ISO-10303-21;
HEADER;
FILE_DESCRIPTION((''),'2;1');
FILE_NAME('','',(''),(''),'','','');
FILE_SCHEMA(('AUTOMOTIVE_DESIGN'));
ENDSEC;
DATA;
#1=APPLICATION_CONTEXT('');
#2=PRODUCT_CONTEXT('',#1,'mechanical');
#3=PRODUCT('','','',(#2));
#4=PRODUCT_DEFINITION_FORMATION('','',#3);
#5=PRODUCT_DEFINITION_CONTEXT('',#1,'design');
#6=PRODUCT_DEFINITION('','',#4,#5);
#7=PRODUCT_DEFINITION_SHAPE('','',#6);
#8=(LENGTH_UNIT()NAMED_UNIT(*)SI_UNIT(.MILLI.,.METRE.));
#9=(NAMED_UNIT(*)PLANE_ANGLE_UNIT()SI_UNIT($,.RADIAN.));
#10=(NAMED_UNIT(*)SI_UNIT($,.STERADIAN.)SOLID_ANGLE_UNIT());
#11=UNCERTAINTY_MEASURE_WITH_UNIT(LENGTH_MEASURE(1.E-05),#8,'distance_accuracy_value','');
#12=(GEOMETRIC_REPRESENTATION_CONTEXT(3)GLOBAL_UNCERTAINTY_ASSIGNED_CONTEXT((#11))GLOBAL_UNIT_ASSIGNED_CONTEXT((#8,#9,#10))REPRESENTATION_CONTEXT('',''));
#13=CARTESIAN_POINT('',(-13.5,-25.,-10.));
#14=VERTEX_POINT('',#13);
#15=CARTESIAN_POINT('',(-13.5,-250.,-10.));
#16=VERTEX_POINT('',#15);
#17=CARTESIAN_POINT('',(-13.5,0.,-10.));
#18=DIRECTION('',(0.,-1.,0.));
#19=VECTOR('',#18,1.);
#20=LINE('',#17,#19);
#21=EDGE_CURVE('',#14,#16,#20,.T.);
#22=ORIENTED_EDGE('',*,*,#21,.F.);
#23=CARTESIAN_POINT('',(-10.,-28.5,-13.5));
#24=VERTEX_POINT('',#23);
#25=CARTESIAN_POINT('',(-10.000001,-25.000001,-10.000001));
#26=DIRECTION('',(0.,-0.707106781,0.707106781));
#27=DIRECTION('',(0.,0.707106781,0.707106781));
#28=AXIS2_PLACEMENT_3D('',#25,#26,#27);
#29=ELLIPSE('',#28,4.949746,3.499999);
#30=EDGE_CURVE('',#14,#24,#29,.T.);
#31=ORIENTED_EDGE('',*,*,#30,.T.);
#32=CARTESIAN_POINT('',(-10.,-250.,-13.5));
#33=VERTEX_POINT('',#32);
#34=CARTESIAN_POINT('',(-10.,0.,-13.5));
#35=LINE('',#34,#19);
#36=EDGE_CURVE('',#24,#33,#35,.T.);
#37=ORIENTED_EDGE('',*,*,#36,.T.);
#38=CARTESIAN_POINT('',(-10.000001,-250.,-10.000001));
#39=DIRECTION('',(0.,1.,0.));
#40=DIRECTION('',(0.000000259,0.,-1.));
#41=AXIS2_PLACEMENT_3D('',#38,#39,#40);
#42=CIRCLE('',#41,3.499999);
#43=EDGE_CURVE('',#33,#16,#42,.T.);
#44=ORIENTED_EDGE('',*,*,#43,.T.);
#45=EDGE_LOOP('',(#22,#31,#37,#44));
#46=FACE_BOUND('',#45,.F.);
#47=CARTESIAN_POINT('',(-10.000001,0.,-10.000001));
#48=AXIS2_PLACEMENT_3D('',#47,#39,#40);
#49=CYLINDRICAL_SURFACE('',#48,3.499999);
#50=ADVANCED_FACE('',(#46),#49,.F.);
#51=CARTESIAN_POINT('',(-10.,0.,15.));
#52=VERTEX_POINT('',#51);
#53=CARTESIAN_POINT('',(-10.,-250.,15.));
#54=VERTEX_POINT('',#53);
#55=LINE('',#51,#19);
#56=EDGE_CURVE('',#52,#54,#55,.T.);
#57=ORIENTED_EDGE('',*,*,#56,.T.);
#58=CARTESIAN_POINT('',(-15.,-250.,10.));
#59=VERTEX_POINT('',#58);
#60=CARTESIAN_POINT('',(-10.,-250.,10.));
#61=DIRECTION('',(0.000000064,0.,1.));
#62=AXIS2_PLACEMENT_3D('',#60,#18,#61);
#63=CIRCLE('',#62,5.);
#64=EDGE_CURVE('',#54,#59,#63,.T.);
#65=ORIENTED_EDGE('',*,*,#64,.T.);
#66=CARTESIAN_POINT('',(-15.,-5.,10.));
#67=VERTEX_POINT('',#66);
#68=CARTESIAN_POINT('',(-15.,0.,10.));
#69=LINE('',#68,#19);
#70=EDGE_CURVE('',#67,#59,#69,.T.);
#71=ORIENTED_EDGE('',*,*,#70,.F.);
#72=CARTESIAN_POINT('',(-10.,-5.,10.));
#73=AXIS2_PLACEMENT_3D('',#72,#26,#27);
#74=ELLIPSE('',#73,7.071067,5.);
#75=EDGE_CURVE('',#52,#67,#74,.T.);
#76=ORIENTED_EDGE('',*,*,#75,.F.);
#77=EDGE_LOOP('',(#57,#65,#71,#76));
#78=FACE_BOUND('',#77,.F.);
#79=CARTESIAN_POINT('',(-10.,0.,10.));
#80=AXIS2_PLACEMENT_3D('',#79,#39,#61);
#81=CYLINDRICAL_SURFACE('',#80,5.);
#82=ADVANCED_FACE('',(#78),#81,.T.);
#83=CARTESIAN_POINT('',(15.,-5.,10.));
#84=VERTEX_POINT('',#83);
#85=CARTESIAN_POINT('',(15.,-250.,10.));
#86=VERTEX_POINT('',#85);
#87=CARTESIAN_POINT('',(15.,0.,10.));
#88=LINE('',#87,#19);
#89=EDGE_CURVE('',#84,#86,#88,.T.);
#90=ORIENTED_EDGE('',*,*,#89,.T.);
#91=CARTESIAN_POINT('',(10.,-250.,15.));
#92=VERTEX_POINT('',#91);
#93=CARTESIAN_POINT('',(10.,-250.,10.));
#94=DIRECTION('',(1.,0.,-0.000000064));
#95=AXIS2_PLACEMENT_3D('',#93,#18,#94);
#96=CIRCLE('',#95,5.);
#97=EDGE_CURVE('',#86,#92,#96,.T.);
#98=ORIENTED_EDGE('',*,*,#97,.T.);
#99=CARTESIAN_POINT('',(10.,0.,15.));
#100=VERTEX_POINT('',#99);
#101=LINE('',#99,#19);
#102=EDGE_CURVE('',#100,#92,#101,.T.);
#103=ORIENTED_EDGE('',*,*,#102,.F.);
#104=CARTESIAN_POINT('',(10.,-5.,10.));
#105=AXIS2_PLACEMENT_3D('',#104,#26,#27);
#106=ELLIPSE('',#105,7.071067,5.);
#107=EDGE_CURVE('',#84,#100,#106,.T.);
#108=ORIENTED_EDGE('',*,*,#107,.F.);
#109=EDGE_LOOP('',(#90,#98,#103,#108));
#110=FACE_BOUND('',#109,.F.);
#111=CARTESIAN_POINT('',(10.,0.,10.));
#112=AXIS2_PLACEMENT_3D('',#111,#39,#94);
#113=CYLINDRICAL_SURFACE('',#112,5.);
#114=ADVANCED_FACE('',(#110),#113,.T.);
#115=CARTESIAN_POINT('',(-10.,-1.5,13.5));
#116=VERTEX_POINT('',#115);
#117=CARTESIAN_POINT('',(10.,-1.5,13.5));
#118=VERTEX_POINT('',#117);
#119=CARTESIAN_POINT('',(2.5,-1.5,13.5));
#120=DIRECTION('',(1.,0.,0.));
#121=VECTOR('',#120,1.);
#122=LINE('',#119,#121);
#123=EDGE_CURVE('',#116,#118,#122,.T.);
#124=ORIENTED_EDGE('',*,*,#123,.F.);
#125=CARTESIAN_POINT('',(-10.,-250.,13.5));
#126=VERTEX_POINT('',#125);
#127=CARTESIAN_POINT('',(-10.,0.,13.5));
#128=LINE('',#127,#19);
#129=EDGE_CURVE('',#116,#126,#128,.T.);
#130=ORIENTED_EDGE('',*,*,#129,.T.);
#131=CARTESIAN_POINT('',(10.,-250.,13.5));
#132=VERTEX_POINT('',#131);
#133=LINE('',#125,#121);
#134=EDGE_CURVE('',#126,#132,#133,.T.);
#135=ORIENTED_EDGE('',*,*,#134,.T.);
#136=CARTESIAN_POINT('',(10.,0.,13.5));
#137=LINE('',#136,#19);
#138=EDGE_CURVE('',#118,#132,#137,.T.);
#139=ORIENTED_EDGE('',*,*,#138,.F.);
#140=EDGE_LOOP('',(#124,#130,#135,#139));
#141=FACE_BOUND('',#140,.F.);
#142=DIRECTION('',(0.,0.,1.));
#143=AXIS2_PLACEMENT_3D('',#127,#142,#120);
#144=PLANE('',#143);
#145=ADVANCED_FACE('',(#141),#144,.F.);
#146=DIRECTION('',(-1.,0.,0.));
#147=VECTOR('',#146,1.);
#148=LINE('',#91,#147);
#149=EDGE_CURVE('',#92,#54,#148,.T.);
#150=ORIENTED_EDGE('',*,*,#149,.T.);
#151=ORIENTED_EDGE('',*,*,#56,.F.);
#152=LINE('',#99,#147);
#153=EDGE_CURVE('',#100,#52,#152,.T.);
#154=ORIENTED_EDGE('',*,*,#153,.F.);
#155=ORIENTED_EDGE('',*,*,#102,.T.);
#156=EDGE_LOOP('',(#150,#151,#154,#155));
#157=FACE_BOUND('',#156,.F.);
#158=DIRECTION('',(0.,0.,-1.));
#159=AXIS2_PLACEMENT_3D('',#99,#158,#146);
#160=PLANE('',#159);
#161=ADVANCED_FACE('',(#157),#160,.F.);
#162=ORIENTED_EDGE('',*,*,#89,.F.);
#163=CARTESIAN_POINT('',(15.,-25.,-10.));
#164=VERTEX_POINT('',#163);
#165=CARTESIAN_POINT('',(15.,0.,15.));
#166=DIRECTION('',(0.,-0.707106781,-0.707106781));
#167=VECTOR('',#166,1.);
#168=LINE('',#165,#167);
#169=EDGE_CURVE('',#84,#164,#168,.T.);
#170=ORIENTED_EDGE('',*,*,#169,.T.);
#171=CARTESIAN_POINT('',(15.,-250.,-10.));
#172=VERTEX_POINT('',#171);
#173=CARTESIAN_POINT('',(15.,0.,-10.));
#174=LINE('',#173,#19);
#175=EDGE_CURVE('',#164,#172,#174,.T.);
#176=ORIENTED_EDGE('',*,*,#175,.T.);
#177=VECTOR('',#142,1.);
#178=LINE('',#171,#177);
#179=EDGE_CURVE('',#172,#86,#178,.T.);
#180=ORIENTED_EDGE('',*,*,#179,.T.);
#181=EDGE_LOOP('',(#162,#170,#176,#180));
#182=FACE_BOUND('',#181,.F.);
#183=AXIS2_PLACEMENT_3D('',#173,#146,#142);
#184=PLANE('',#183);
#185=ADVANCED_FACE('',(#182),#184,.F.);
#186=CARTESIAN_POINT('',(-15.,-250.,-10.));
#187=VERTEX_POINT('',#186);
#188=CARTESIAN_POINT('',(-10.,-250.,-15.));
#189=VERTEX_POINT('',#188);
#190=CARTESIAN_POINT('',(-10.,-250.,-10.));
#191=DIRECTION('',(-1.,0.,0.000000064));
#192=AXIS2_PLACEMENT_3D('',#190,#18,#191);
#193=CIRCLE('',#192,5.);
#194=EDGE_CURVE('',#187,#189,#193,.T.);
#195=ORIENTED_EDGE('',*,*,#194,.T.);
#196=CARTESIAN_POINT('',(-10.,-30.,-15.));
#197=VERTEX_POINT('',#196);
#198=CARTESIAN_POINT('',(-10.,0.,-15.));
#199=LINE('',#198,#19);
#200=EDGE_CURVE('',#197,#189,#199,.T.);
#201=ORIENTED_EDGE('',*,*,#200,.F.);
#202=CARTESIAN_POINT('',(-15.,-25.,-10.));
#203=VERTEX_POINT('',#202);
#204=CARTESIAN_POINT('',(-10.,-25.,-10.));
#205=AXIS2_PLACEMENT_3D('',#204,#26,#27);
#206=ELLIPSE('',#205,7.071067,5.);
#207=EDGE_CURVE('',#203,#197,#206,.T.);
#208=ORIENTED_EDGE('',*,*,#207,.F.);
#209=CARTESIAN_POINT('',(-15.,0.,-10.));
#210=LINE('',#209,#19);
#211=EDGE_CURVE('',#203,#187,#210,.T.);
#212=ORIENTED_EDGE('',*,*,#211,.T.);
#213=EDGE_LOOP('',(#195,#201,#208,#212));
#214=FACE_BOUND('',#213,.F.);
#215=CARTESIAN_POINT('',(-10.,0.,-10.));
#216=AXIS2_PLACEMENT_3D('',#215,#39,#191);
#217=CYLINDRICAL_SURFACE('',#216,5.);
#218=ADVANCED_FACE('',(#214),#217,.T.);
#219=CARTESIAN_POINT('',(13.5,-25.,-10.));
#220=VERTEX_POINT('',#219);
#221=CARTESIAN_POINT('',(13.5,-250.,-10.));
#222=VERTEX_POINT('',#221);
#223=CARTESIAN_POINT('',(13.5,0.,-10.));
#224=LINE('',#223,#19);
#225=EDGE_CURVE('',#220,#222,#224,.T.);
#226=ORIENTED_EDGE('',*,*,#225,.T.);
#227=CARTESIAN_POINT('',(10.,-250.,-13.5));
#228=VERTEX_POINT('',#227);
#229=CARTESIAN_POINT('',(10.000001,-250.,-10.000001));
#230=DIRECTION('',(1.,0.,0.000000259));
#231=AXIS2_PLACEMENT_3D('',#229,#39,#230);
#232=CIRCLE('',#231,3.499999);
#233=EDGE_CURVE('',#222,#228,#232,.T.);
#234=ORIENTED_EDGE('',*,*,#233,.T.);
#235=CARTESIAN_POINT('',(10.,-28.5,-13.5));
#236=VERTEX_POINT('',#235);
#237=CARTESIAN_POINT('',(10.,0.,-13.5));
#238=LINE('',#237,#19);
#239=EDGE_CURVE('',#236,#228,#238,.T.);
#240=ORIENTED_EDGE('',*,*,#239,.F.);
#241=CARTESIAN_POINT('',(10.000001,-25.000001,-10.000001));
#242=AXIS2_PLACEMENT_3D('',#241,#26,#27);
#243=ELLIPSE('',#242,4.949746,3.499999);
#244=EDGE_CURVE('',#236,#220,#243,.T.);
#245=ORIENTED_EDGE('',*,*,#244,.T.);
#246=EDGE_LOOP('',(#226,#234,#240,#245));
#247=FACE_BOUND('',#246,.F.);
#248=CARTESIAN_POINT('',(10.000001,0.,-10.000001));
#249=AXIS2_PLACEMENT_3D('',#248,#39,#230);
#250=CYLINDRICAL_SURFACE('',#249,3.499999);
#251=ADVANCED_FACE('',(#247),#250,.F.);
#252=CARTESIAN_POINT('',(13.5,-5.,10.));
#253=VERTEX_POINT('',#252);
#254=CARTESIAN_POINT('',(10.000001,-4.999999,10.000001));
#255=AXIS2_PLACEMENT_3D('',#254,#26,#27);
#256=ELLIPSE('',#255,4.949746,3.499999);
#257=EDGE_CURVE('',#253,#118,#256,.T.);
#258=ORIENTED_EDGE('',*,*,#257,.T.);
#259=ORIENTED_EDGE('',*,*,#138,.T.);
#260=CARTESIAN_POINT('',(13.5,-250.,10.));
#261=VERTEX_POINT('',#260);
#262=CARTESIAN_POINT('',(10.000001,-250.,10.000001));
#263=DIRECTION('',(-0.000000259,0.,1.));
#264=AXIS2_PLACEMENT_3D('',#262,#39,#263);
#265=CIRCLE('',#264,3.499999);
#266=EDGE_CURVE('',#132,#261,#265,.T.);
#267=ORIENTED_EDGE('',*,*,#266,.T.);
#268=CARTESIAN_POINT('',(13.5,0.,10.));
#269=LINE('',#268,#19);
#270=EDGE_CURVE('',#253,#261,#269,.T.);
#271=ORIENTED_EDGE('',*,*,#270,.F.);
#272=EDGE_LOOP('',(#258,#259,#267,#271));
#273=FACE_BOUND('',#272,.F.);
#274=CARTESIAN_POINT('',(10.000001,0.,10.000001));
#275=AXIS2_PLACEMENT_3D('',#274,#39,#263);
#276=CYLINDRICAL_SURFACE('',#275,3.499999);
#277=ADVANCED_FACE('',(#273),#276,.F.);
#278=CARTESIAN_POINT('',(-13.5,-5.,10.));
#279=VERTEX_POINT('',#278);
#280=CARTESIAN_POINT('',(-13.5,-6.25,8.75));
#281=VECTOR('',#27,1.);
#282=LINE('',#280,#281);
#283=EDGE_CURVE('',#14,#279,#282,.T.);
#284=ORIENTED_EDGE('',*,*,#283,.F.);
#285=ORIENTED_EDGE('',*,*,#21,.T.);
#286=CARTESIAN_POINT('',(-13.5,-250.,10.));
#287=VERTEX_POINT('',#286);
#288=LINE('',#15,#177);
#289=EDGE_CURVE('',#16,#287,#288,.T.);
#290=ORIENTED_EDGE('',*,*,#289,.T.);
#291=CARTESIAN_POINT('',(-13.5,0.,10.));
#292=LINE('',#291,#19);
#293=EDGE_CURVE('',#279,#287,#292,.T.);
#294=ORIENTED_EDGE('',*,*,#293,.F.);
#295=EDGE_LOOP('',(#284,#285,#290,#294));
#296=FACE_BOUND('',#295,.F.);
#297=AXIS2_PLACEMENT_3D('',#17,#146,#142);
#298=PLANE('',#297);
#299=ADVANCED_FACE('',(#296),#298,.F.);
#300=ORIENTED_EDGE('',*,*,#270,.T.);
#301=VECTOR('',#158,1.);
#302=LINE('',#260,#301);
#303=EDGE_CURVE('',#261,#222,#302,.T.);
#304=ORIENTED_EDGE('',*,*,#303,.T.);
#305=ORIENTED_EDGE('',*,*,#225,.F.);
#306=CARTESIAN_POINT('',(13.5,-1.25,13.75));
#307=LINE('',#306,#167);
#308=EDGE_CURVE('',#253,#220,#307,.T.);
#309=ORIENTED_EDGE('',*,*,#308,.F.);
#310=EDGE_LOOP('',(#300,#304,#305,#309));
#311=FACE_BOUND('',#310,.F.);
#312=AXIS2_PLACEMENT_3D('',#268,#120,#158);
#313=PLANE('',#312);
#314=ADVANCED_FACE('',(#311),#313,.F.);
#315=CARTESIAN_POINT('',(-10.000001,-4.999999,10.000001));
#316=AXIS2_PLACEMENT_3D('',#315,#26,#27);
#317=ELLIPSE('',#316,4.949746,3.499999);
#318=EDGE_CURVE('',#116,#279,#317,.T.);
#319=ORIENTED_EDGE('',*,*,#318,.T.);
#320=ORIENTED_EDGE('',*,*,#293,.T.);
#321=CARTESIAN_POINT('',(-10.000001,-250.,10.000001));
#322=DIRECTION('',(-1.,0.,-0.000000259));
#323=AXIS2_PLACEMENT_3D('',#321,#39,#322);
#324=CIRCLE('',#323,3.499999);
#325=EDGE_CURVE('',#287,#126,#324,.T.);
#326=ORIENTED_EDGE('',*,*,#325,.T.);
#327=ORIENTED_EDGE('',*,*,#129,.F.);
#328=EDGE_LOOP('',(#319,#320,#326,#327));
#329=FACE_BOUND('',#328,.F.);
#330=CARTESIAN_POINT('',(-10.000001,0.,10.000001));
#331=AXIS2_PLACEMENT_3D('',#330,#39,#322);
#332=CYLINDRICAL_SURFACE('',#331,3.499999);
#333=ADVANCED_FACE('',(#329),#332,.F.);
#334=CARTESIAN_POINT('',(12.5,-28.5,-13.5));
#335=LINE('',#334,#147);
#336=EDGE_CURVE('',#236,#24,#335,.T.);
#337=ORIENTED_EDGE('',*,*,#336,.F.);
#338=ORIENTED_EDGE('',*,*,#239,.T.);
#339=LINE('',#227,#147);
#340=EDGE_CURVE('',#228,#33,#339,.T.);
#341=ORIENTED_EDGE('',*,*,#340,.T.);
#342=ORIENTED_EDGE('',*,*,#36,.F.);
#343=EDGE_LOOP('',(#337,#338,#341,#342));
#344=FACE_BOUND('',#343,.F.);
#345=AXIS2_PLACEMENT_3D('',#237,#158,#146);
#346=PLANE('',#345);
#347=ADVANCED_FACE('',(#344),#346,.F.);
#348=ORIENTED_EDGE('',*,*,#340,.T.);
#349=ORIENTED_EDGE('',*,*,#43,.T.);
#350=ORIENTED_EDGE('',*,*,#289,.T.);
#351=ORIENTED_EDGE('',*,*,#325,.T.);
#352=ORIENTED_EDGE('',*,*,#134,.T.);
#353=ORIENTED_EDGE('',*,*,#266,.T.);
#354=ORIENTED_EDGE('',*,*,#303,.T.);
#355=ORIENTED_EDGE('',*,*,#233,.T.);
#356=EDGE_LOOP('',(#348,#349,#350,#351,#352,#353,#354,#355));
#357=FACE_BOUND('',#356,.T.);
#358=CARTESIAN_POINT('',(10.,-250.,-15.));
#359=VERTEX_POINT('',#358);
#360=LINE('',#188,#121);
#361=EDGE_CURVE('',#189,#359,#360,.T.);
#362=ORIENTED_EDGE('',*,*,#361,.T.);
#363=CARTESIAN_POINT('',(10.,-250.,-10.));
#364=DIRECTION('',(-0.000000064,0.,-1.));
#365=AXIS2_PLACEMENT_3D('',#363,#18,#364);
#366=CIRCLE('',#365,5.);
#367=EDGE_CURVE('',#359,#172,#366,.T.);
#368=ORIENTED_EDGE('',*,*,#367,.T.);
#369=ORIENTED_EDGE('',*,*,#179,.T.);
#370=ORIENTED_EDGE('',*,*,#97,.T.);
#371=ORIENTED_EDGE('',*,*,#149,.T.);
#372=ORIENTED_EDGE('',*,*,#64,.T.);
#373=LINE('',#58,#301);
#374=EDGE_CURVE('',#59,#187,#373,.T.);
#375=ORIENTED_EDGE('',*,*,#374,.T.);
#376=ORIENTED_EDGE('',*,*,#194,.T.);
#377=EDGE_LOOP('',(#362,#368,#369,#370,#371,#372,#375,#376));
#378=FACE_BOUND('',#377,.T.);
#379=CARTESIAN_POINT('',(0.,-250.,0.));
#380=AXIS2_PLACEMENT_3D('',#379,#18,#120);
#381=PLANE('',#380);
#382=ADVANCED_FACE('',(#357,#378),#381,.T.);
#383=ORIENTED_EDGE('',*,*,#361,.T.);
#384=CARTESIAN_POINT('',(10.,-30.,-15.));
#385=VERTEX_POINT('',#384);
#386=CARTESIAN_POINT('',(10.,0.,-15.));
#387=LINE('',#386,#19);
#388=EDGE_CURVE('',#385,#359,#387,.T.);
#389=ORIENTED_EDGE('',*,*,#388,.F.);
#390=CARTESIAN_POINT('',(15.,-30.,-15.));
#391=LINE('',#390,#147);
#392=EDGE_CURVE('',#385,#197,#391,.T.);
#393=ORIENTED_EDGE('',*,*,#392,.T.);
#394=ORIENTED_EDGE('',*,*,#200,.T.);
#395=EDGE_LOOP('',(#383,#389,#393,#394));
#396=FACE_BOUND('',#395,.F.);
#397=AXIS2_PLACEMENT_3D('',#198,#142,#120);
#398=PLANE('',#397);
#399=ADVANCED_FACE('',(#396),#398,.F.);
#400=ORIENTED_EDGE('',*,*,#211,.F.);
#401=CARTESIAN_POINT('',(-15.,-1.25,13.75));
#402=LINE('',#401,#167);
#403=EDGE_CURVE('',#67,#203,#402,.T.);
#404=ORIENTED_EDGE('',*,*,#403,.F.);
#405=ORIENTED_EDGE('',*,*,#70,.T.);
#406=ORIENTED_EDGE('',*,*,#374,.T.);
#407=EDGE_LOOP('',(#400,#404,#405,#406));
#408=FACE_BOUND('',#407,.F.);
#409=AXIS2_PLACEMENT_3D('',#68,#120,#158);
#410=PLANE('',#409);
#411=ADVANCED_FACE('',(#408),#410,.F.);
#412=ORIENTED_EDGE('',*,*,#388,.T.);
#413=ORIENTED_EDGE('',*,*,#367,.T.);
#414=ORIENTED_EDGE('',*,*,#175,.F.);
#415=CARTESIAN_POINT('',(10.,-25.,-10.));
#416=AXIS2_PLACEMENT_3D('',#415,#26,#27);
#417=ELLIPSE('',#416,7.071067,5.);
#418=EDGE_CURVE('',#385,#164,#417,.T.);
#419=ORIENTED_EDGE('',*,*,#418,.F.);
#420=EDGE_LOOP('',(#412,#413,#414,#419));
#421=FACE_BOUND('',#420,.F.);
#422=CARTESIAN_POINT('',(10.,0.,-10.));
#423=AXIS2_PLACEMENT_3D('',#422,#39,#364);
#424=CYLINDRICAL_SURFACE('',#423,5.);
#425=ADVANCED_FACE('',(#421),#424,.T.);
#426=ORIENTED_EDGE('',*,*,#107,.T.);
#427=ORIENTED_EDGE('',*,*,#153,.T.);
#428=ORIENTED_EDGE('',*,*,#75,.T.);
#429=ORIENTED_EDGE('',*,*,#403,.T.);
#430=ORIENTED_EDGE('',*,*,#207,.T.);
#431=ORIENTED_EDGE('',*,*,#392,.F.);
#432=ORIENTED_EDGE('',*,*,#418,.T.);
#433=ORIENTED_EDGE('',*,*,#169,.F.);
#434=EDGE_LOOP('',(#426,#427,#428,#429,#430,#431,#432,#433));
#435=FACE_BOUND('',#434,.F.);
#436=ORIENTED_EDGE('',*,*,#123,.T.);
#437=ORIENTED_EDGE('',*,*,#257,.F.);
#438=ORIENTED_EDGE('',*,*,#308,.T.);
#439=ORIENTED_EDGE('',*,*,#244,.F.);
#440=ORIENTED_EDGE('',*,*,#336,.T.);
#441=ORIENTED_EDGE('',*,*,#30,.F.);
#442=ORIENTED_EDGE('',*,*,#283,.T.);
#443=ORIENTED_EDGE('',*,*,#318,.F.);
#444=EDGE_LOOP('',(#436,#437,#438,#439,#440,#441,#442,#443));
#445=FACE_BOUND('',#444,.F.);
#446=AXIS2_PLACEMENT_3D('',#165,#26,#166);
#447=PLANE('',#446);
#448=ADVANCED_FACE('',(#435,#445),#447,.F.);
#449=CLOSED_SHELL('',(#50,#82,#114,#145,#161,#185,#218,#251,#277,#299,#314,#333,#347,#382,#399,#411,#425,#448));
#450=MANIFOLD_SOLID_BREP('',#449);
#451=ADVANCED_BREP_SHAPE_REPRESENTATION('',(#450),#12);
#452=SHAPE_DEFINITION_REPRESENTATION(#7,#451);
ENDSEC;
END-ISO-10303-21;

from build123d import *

# Parameters (mm, degrees)
F1_DEPTH = 250
F3_DEPTH = 30.001


with BuildPart() as f1:
    # F0 (on Front) → F1 (new body)
    with BuildSketch(Plane.XZ):
        with BuildLine():
            Line((-10, -15), (10, -15))
            ThreePointArc((10, -15), (13.535534, -13.535534), (15, -10))
            Line((15, -10), (15, 10))
            ThreePointArc((15, 10), (13.535534, 13.535534), (10, 15))
            Line((10, 15), (-10, 15))
            ThreePointArc((-10, 15), (-13.535534, 13.535534), (-15, 10))
            Line((-15, 10), (-15, -10))
            ThreePointArc((-15, -10), (-13.535534, -13.535534), (-10, -15))
        make_face()
        with BuildLine():
            ThreePointArc((-10, -13.5), (-12.474874, -12.474874), (-13.5, -10))
            Line((-13.5, -10), (-13.5, 10))
            ThreePointArc((-13.5, 10), (-12.474874, 12.474874), (-10, 13.5))
            Line((-10, 13.5), (10, 13.5))
            ThreePointArc((10, 13.5), (12.474874, 12.474874), (13.5, 10))
            Line((13.5, 10), (13.5, -10))
            ThreePointArc((13.5, -10), (12.474874, -12.474874), (10, -13.5))
            Line((10, -13.5), (-10, -13.5))
        make_face(mode=Mode.SUBTRACT)
    extrude(amount=F1_DEPTH)

    # F2 (on face) → F3 (cut, through all)
    with BuildSketch(Plane.YZ.offset(15)):
        Polygon((0, -15), (0, 15), (-30, -15), align=None)
    extrude(amount=-F3_DEPTH, mode=Mode.SUBTRACT)


solid = f1.part
